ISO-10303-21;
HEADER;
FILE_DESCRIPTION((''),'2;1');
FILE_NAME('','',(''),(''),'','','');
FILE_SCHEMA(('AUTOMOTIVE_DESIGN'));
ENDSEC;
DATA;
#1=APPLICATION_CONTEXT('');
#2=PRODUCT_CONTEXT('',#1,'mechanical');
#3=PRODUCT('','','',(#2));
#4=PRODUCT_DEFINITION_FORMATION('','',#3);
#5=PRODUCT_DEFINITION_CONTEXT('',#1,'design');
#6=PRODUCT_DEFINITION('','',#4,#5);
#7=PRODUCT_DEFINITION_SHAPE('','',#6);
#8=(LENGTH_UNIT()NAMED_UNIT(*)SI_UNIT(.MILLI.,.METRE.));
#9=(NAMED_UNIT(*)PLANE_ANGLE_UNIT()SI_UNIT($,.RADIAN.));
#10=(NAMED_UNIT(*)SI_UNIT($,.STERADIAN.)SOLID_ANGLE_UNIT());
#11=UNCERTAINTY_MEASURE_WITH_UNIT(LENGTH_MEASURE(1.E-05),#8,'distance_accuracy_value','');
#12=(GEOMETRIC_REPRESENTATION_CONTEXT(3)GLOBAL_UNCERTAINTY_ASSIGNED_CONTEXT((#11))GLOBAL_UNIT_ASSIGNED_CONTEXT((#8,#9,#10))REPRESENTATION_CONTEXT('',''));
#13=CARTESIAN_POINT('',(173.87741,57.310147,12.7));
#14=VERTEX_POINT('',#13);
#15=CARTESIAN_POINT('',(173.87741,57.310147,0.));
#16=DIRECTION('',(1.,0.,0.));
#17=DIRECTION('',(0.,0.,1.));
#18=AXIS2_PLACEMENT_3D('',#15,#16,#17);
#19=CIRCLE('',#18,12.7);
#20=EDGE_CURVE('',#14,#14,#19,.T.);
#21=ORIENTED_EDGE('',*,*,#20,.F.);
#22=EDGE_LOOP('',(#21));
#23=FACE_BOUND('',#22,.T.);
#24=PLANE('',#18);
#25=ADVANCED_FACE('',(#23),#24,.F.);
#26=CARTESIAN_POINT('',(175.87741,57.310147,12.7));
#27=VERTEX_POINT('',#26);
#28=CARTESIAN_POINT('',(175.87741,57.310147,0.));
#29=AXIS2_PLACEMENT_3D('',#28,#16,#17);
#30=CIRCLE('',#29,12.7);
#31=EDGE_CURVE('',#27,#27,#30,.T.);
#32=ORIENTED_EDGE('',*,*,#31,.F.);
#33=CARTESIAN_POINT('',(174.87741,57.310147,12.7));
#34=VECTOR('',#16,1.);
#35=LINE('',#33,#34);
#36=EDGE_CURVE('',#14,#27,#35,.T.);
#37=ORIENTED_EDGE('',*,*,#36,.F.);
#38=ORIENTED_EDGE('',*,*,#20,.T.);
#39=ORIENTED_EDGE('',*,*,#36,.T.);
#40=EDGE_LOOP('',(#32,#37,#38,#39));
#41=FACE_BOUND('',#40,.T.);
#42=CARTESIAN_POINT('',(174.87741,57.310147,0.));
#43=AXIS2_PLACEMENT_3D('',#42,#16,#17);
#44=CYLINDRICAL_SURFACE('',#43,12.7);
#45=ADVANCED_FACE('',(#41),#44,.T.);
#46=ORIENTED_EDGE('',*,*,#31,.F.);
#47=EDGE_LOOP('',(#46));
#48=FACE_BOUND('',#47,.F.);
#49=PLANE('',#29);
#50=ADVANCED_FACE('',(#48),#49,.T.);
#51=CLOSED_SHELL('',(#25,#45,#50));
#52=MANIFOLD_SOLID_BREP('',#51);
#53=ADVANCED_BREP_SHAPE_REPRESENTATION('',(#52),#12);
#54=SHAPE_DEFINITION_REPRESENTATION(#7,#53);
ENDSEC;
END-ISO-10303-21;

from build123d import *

# Parameters (mm, degrees)
SKETCH_1_W = 2
SKETCH_1_H = 12.7


with BuildPart() as part:
    # 草图1 → 旋转1 (revolve)
    with BuildSketch(Plane.XY, mode=Mode.PRIVATE) as revolve_1_sk:
        with Locations((174.877409758, 63.660146656)):
            Rectangle(SKETCH_1_W, SKETCH_1_H)
    revolve(revolve_1_sk.sketch.rotate(Axis((168.247513707, 57.310146656, 0), (1, 0, 0)), 90), axis=Axis((168.247513707, 57.310146656, 0), (1, 0, 0)))  # turned: the seam where the file's is


solid = part.part
